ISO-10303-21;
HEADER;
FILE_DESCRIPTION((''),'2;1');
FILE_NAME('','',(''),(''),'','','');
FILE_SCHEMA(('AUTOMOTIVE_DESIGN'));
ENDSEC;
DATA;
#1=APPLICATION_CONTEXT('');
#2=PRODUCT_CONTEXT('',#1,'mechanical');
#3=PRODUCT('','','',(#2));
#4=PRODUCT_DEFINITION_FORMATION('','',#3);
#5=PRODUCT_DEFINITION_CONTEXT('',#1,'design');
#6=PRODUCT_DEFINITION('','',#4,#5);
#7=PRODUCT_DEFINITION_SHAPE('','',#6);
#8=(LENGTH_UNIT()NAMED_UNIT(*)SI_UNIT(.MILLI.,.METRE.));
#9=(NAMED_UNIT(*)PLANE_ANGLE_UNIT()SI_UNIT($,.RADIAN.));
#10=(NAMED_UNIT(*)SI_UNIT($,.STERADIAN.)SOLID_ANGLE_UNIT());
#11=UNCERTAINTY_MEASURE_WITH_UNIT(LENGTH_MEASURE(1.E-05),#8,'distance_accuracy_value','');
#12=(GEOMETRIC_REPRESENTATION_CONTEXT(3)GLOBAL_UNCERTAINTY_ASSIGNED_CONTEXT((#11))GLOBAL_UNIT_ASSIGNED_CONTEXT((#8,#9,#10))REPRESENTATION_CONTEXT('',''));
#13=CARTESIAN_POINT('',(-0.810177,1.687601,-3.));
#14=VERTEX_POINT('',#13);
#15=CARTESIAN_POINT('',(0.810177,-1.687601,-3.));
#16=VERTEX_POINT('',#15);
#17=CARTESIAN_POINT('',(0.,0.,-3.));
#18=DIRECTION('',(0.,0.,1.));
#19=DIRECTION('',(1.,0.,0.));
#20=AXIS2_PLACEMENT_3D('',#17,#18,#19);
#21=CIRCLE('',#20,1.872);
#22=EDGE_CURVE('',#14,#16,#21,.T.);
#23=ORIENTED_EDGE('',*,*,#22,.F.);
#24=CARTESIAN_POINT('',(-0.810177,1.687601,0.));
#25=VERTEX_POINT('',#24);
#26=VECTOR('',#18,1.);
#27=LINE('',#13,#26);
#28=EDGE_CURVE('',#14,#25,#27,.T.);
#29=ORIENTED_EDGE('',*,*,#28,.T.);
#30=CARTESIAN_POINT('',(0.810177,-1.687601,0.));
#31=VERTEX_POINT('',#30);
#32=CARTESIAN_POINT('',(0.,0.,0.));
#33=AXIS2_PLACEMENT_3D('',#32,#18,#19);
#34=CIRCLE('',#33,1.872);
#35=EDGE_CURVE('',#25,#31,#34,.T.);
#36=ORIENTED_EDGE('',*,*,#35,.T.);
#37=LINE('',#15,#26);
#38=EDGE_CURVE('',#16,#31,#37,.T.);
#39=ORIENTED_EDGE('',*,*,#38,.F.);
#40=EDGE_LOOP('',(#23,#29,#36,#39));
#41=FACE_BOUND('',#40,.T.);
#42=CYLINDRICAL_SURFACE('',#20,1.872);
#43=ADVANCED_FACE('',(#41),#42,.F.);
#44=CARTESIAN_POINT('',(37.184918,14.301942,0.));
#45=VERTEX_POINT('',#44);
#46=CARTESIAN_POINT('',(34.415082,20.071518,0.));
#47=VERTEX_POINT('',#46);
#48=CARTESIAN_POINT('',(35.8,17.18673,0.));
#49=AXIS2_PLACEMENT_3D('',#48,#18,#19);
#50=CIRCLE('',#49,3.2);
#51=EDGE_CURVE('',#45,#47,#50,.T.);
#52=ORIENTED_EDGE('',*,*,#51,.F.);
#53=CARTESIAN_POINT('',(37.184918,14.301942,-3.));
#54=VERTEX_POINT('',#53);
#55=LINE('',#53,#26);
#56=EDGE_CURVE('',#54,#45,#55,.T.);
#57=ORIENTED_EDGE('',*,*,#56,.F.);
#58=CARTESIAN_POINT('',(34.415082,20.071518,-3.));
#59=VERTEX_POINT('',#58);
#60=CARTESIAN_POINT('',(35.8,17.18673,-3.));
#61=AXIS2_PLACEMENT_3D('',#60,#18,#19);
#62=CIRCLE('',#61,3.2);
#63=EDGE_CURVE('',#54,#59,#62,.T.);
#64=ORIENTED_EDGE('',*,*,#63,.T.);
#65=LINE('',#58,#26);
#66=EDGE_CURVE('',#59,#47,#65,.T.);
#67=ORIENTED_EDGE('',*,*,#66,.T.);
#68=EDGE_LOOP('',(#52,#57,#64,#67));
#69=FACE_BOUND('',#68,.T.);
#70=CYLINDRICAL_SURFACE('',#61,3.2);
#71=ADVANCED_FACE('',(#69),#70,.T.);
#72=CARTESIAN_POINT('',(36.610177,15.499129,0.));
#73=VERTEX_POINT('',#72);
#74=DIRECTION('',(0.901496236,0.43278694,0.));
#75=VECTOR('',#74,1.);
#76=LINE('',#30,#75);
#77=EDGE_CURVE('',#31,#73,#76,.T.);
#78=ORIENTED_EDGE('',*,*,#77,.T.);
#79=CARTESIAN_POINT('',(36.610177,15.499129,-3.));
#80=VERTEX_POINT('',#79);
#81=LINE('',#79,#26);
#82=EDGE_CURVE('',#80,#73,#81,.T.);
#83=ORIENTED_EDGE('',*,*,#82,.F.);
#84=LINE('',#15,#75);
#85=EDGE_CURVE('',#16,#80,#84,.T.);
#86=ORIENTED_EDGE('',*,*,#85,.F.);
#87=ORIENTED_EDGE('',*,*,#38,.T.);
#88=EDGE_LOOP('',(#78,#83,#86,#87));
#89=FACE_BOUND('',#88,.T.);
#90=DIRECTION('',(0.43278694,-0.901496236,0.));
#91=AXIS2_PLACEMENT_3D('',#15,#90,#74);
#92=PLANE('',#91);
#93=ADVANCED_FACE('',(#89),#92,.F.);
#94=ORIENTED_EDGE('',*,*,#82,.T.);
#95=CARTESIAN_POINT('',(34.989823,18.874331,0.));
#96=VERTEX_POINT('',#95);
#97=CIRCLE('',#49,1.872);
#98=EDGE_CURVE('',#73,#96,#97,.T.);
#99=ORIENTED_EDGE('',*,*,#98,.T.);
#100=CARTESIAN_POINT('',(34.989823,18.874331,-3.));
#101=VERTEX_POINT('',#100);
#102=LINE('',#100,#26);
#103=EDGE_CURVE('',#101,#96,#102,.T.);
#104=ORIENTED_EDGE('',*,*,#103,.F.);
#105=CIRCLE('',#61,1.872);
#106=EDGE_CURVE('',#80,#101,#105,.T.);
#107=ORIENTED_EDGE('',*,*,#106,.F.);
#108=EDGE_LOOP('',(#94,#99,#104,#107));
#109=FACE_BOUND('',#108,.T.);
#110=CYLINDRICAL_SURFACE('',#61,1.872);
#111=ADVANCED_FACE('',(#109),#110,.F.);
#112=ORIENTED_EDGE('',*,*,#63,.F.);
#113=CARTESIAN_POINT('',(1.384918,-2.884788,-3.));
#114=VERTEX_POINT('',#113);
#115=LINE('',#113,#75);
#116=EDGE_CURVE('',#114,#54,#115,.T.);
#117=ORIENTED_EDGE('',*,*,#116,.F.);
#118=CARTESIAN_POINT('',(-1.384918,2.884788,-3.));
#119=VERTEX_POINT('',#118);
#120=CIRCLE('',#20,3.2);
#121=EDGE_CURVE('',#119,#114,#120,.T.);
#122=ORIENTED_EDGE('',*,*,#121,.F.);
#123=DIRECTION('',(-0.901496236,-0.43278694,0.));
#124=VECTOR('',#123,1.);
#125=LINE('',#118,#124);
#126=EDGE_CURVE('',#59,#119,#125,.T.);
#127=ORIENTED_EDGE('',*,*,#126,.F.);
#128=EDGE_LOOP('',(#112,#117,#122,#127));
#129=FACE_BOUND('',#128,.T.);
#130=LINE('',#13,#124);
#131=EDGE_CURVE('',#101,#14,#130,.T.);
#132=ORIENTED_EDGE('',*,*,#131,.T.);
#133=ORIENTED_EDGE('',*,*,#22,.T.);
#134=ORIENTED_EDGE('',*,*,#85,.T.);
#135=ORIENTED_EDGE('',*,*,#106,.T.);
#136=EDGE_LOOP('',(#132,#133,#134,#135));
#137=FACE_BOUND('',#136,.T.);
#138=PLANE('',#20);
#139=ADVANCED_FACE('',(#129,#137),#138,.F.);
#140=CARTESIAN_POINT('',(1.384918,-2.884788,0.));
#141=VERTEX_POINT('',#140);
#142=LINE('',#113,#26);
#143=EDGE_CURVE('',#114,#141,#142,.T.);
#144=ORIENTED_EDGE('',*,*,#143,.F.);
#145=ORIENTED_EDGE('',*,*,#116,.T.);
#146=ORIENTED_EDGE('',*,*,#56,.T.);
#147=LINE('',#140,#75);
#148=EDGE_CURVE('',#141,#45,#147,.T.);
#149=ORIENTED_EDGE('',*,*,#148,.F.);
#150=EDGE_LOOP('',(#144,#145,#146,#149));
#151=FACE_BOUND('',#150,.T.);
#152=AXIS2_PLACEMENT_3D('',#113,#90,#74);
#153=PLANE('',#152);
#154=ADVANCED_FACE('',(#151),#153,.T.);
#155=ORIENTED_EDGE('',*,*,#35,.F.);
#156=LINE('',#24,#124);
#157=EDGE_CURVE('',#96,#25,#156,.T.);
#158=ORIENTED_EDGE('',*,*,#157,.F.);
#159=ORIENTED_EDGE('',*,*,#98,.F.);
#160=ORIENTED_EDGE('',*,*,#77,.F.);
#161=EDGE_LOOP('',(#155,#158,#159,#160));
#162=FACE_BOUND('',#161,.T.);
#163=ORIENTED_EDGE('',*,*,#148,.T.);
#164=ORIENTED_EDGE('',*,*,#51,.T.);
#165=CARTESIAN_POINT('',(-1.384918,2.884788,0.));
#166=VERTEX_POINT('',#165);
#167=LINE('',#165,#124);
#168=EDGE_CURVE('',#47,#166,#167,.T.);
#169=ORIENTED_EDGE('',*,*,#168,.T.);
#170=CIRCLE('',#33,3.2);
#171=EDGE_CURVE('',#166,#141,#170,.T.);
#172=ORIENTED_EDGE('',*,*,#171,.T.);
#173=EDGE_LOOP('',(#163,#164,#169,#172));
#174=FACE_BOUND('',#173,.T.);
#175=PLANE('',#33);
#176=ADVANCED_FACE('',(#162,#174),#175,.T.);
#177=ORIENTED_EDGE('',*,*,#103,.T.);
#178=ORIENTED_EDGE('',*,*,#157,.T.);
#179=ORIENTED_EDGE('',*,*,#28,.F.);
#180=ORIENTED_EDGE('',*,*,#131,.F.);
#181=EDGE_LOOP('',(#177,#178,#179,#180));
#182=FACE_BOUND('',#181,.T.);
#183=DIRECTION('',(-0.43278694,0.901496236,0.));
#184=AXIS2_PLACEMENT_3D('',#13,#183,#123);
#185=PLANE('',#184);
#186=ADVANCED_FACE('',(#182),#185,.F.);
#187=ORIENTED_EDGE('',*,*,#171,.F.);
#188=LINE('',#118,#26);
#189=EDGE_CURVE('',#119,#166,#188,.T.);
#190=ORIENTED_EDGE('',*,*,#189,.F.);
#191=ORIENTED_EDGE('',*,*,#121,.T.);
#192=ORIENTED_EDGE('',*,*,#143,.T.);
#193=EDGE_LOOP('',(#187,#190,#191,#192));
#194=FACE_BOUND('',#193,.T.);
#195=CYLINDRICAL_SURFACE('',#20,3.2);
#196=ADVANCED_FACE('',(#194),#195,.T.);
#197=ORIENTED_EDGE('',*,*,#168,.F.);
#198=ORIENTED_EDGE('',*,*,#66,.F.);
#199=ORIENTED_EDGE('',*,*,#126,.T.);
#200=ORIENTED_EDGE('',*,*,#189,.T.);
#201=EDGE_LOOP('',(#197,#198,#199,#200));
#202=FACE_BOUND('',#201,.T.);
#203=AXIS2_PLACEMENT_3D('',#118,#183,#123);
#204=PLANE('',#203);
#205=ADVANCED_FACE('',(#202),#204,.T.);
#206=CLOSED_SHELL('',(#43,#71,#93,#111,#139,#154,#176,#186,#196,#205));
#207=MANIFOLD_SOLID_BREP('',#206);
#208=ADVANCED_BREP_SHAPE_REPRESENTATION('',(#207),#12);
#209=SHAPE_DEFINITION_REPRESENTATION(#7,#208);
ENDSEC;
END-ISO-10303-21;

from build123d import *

# Parameters (mm, degrees)
BOSS_EXTRUDE1_DEPTH = 3


with BuildPart() as part:
    # Sketch1 → Boss-Extrude1 (new body)
    with BuildSketch(Plane.XY):
        with BuildLine():
            Line((-1.384918209, 2.884787957), (34.415081791, 20.071518007))
            ThreePointArc((34.415081791, 20.071518007), (38.684787957, 18.571648259), (37.184918209, 14.301942094))
            Line((37.184918209, 14.301942094), (1.384918209, -2.884787957))
            ThreePointArc((1.384918209, -2.884787957), (-2.884787957, -1.384918209), (-1.384918209, 2.884787957))
        make_face()
        with BuildLine():
            Line((-0.810177152, 1.687600955), (34.989822848, 18.874331005))
            ThreePointArc((34.989822848, 18.874331005), (37.487600955, 17.996907202), (36.610177152, 15.499129096))
            Line((36.610177152, 15.499129096), (0.810177152, -1.687600955))
            ThreePointArc((0.810177152, -1.687600955), (-1.687600955, -0.810177152), (-0.810177152, 1.687600955))
        make_face(mode=Mode.SUBTRACT)
    extrude(amount=-BOSS_EXTRUDE1_DEPTH)


solid = part.part
